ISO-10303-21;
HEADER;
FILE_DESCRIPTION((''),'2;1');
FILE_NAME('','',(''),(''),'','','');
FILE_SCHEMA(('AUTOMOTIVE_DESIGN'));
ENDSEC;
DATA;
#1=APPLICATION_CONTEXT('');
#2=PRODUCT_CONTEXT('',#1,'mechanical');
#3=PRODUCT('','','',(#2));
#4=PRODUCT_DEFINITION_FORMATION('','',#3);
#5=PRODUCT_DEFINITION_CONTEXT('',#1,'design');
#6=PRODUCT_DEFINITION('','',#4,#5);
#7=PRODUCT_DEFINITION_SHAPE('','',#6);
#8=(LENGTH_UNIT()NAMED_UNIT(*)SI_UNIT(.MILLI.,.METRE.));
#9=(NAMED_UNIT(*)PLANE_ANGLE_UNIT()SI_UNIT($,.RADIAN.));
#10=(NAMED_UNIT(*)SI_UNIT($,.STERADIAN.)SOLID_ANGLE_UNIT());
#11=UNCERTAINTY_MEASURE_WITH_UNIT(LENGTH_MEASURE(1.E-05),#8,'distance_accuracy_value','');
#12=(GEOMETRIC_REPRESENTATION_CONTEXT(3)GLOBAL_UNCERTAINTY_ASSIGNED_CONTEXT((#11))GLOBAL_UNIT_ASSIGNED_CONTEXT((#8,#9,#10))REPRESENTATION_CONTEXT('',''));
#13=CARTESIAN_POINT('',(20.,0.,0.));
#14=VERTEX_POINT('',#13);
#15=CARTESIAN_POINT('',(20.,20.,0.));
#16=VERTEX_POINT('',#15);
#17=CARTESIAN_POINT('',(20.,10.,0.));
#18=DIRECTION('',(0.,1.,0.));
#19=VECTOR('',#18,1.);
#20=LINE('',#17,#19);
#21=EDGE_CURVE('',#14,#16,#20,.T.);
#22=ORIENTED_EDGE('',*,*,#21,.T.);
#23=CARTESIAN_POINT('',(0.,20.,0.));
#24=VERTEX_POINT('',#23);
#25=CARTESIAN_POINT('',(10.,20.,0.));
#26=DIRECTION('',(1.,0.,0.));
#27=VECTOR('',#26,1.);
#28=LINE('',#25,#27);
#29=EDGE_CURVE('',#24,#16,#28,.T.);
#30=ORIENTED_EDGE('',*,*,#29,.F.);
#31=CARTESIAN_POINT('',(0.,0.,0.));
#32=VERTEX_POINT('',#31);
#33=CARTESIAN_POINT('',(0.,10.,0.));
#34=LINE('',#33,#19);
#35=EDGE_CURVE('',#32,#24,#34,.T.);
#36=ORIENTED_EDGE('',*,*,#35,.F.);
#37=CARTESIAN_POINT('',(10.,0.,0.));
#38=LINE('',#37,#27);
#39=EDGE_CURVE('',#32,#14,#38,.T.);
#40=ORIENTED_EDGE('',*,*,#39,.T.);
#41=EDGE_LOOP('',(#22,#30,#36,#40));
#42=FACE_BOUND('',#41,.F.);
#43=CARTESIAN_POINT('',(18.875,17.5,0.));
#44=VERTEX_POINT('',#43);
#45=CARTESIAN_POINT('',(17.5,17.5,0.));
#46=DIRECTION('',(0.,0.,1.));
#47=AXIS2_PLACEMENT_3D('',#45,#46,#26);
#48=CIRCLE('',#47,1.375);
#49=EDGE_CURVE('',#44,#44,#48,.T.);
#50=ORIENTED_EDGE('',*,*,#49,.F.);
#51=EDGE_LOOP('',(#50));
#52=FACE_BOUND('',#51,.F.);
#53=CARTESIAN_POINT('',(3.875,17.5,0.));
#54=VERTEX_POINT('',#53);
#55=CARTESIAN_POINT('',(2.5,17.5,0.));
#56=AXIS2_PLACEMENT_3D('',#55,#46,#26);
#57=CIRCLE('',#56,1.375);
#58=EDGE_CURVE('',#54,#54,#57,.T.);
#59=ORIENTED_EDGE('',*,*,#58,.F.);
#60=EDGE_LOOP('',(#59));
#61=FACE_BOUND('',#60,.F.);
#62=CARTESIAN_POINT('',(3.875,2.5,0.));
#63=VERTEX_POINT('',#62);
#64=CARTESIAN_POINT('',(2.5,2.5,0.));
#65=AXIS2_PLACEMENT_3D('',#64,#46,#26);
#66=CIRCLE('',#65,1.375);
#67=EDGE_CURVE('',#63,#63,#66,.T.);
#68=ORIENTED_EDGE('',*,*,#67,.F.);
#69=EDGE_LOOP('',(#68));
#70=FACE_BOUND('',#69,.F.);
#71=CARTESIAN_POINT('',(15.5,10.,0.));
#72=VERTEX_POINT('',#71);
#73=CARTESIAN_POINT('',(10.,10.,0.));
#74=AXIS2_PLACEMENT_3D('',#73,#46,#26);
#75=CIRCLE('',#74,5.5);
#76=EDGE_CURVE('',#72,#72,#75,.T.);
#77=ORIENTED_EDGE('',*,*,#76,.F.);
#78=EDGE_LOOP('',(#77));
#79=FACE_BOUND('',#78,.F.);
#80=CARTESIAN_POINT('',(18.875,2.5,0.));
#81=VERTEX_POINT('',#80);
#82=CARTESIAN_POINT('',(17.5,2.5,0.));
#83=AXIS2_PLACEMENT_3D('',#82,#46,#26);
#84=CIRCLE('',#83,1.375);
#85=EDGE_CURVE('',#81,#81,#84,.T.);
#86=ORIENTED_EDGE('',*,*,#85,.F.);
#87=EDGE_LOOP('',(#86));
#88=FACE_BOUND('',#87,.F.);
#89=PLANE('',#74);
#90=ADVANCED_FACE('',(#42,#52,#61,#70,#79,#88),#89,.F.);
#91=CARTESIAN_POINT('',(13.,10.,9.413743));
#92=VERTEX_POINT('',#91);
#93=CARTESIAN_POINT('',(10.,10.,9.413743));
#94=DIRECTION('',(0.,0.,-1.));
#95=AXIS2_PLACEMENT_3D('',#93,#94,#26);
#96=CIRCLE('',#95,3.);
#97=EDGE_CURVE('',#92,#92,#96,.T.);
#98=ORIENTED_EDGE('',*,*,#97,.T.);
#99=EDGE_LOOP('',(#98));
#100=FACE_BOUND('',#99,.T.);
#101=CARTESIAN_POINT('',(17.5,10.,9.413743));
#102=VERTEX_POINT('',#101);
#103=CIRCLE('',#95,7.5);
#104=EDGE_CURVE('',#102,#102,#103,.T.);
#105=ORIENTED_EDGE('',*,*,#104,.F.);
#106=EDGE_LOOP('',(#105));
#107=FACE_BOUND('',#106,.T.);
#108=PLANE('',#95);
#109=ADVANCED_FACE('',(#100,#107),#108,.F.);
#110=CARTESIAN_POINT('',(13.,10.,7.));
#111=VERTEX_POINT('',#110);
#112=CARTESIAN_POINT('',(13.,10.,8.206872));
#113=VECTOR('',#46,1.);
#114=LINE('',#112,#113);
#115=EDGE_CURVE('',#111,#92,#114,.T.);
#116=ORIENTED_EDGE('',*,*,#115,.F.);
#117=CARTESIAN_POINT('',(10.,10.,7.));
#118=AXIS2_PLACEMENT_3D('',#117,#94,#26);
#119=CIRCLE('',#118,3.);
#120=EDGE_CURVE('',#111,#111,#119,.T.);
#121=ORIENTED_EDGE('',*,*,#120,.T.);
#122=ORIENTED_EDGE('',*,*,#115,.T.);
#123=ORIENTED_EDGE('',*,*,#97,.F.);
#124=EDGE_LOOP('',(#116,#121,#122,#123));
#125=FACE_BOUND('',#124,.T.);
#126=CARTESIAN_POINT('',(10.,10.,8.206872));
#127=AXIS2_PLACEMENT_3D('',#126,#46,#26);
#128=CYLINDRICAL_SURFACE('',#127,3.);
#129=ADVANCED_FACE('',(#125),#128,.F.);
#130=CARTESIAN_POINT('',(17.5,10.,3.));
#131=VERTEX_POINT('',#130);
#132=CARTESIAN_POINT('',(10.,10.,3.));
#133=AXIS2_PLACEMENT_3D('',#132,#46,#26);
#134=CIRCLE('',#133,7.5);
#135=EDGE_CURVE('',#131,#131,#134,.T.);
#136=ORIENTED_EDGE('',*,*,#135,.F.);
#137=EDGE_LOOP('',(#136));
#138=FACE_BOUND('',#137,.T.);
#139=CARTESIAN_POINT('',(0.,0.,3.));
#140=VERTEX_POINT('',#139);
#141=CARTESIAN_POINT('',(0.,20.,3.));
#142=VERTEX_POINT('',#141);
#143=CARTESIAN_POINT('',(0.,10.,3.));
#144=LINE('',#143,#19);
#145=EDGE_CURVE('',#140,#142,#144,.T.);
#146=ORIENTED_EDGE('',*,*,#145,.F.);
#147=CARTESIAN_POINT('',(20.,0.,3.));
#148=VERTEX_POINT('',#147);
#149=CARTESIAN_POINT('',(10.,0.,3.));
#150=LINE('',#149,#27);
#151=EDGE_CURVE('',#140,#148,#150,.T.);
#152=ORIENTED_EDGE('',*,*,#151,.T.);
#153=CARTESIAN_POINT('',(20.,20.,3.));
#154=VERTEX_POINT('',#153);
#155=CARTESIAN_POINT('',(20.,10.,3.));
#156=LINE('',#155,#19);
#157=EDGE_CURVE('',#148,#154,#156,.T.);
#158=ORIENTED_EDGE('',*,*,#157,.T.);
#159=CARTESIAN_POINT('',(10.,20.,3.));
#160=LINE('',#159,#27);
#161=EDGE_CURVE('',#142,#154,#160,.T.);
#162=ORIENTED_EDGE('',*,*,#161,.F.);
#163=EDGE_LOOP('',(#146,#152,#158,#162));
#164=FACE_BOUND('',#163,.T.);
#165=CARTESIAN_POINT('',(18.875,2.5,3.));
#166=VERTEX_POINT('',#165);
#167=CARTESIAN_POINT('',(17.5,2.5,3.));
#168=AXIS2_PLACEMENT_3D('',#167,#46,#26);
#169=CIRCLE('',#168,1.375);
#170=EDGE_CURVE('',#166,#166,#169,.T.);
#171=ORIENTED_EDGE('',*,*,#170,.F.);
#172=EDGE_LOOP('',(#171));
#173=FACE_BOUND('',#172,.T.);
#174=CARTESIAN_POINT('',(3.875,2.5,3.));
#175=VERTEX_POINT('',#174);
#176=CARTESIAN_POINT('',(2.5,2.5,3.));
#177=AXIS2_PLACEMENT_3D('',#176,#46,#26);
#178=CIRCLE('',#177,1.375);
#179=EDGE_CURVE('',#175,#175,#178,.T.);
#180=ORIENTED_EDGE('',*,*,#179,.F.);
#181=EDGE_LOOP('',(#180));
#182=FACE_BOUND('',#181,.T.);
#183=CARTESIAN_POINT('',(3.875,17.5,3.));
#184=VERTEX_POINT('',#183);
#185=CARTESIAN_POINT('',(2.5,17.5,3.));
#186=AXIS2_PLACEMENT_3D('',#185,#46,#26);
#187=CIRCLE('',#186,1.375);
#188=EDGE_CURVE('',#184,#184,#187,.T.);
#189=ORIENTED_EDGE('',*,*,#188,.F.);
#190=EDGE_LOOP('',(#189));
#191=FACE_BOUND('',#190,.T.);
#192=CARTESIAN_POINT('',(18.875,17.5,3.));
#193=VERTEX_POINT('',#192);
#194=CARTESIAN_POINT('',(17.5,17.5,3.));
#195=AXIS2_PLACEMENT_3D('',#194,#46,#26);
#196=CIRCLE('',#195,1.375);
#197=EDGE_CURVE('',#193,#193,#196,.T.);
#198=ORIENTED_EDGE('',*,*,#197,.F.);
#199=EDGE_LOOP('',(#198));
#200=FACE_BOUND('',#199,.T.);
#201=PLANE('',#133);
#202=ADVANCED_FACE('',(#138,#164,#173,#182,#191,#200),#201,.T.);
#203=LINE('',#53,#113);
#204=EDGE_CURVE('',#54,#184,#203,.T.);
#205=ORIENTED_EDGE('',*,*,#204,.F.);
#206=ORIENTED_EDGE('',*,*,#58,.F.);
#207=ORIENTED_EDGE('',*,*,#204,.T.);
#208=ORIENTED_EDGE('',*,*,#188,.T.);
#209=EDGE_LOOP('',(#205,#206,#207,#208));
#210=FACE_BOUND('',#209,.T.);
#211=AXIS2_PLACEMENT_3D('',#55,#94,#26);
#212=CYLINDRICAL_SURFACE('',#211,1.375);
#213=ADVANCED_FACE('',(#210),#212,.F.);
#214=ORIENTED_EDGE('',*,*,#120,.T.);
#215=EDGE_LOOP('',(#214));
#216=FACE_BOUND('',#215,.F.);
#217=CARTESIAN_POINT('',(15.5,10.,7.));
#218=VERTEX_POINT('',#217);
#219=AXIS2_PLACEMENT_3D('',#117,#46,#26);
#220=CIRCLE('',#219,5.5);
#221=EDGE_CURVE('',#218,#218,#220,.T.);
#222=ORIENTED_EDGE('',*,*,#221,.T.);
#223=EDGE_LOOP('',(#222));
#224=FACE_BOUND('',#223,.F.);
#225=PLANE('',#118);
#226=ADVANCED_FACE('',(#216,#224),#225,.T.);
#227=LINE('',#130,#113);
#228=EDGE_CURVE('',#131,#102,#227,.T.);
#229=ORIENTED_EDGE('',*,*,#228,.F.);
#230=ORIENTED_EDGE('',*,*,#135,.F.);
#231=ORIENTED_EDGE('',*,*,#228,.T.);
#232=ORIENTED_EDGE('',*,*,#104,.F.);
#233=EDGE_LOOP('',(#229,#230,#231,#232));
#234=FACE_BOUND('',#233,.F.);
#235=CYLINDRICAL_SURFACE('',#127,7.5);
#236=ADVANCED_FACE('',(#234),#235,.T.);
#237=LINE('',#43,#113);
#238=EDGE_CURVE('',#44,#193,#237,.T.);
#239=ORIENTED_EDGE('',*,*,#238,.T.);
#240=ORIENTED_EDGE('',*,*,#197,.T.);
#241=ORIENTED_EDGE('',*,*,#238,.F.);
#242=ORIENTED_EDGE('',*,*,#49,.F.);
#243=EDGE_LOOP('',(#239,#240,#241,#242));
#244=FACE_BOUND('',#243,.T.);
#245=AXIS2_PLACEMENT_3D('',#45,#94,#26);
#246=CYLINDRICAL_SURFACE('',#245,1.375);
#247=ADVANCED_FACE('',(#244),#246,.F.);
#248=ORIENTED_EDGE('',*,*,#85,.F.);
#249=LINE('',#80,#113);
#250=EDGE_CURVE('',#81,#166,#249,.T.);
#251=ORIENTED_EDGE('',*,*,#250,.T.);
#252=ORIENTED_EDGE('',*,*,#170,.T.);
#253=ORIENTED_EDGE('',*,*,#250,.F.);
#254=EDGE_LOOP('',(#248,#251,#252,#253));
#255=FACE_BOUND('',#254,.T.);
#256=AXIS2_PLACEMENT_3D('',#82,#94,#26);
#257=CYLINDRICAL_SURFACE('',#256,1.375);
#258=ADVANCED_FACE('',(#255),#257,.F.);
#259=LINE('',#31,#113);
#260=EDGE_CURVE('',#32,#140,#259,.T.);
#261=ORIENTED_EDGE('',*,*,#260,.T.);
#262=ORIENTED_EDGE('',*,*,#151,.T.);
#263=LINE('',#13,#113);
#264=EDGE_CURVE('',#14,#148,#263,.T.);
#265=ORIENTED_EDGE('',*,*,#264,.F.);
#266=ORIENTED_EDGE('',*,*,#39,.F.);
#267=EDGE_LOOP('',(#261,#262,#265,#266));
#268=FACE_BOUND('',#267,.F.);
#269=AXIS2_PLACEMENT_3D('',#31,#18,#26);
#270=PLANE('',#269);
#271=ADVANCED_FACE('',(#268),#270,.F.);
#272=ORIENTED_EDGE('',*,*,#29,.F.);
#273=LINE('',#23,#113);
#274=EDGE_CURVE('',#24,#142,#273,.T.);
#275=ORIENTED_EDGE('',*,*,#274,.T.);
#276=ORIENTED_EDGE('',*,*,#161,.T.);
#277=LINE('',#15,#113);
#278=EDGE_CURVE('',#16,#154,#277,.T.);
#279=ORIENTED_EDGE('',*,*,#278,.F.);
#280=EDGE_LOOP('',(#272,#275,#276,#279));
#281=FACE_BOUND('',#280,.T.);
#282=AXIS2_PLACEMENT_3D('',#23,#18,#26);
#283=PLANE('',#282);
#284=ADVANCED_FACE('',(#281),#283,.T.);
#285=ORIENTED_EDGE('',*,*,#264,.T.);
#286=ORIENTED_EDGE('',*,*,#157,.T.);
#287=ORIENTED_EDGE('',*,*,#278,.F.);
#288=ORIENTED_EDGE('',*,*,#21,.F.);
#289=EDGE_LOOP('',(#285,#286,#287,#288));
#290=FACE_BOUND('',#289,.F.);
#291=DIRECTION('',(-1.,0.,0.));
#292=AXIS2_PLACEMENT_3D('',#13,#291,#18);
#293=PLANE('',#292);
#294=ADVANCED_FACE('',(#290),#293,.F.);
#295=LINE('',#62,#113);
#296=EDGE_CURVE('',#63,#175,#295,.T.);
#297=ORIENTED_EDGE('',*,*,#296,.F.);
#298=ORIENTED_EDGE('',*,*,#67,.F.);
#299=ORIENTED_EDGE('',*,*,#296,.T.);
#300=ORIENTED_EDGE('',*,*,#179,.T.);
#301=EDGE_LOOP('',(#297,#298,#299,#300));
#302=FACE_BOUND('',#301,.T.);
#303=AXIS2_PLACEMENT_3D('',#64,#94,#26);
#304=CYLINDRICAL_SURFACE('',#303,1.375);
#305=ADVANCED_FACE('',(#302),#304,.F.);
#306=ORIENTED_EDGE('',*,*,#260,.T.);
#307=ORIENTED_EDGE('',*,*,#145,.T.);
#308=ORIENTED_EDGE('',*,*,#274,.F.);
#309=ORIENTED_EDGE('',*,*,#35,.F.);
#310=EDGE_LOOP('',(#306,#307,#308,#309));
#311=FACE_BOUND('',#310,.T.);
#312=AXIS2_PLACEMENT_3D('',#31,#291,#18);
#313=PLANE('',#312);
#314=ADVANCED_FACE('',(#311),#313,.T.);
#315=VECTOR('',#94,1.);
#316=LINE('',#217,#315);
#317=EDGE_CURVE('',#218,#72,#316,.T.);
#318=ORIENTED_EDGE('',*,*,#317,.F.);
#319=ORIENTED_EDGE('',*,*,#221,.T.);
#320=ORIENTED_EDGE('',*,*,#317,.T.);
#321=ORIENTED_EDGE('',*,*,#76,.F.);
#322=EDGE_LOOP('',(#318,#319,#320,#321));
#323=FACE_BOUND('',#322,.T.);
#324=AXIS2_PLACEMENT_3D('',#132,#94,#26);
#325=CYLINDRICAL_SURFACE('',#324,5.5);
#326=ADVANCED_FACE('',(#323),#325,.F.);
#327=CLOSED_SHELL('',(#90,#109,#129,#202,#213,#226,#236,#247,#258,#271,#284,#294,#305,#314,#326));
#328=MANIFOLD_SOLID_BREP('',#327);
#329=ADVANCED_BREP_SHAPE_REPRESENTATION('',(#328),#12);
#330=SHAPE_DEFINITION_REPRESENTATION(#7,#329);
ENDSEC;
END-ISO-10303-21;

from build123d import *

# Parameters (mm, degrees)
F0_W     = 20
F0_H     = 20
F0_R     = 1.375
F0_R_2   = 5.5
F1_DEPTH = 3
F2_R     = 7.5
F2_R_2   = 5.5
F3_DEPTH = 4
F5_W     = 4.5
F5_H     = 2.413743116


with BuildPart() as f1:
    # F0 (on Top) → F1 (new body)
    with BuildSketch(Plane.XY):
        with Locations((10, 10)):
            Rectangle(F0_W, F0_H)
        with Locations((2.5, 2.5)):
            Circle(F0_R, mode=Mode.SUBTRACT)
        with Locations((17.5, 2.5)):
            Circle(F0_R, mode=Mode.SUBTRACT)
        with Locations((2.5, 17.5)):
            Circle(F0_R, mode=Mode.SUBTRACT)
        with Locations((10, 10)):
            Circle(F0_R_2, mode=Mode.SUBTRACT)
        with Locations((17.5, 17.5)):
            Circle(F0_R, mode=Mode.SUBTRACT)
    extrude(amount=F1_DEPTH)

    # F2 (on face) → F3 (join)
    with BuildSketch(Plane.XY.offset(3)):
        with Locations((10, 10)):
            Circle(F2_R)
        with Locations((10, 10)):
            Circle(F2_R_2, mode=Mode.SUBTRACT)
    extrude(amount=F3_DEPTH)

    # F5 (on offset) → F6 (revolve)
    with BuildSketch(Plane.XZ.offset(-10)):
        with Locations((15.25, 8.206871558)):
            Rectangle(F5_W, F5_H)
    revolve(axis=Axis((10, 10, 3.5), (0, 0, -1)))


solid = f1.part
